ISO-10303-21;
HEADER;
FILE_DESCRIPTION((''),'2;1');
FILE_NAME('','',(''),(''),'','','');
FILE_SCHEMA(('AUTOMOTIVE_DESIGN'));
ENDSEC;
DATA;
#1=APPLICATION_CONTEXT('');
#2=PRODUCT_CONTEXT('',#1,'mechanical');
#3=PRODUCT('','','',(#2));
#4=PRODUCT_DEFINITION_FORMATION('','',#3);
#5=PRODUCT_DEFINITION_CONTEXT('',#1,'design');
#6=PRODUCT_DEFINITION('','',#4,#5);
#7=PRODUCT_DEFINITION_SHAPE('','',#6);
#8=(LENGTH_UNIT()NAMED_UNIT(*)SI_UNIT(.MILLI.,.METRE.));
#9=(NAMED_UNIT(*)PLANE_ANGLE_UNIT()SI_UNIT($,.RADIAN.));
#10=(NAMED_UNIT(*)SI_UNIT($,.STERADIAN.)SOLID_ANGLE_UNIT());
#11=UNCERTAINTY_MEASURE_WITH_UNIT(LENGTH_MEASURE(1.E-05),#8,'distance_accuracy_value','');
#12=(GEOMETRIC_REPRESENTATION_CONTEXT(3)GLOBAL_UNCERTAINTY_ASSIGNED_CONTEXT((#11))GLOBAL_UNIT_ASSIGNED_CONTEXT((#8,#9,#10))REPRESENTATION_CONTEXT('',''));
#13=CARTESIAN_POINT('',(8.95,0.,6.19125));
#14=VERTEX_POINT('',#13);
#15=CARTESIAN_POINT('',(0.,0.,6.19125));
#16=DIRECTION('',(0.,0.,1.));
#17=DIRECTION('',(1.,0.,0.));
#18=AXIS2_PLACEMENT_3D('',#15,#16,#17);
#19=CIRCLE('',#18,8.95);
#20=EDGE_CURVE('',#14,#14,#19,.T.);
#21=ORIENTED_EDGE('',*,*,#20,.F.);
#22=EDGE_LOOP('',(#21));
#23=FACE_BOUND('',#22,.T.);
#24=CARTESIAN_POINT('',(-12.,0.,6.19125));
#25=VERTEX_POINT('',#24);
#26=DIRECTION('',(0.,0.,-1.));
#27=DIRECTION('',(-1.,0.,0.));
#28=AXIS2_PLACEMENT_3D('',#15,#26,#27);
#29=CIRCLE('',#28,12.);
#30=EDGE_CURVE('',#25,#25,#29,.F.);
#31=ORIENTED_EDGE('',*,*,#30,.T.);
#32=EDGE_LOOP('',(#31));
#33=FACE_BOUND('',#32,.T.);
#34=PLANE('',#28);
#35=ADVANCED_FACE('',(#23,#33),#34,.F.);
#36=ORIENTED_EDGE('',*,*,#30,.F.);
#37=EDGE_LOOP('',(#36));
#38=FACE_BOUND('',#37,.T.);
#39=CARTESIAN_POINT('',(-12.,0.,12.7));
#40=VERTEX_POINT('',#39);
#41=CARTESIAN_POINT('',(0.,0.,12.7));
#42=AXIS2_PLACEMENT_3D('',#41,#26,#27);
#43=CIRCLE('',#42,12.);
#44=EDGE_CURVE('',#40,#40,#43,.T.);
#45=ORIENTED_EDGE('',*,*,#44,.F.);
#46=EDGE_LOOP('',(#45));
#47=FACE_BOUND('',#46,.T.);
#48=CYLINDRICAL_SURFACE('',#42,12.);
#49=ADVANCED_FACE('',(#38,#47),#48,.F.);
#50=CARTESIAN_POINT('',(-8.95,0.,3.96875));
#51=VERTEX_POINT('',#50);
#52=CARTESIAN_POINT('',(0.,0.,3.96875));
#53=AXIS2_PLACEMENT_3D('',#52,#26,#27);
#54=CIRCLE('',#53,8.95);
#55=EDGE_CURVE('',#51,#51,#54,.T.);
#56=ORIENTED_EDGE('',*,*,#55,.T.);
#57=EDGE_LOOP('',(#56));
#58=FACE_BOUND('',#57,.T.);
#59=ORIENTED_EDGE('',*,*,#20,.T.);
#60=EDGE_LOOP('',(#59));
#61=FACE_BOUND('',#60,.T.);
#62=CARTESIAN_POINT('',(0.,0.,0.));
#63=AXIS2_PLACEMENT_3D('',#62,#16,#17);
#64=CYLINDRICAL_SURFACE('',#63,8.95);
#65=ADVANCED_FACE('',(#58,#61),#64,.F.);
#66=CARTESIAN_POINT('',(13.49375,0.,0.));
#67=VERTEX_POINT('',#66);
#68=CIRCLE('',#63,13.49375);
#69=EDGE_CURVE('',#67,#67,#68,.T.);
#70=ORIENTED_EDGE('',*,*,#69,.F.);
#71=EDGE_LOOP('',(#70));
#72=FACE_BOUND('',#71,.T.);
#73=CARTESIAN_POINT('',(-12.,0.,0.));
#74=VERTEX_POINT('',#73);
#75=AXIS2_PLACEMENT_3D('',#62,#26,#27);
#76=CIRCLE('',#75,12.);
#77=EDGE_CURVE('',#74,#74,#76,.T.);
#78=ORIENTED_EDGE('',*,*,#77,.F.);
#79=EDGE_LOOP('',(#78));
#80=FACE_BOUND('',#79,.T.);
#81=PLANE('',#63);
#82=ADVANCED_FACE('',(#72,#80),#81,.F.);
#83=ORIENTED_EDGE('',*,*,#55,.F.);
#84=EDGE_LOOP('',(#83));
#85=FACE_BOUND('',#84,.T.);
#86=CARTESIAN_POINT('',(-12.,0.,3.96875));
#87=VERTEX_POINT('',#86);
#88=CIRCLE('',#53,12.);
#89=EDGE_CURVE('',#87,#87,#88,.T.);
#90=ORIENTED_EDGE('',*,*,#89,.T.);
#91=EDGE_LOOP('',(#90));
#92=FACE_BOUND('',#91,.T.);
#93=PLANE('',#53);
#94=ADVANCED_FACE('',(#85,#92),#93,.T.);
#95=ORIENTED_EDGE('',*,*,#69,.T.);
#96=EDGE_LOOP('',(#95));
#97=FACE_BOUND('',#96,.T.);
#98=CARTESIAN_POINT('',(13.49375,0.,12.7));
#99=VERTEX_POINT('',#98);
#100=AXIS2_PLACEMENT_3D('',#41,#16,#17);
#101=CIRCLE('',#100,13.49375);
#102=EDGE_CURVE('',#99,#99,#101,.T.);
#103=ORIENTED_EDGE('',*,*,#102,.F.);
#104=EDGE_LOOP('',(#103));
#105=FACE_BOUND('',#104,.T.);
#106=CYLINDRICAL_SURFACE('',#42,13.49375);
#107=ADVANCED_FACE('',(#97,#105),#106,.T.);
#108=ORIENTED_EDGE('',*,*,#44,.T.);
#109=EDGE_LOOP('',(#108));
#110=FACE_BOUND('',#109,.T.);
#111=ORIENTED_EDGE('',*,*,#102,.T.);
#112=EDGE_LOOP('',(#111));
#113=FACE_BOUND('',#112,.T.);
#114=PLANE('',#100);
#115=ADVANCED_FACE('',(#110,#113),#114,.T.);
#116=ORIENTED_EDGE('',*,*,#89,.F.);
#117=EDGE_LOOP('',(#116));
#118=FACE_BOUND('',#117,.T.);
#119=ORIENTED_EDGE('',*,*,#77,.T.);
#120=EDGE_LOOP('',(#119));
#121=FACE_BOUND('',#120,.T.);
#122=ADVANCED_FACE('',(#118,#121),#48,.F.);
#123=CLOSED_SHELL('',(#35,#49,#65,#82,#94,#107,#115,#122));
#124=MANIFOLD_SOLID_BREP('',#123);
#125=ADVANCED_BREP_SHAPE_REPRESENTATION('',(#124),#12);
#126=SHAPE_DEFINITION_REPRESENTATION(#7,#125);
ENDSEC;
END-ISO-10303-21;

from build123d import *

# Parameters (mm, degrees)
SKETCH1_R           = 13.49375
BOSS_EXTRUDE1_DEPTH = 12.7
SKETCH3_R           = 12
CUT_EXTRUDE2_DEPTH  = 23.922752412
SKETCH4_R           = 12
BOSS_EXTRUDE2_DEPTH = 2.2225
SKETCH5_R           = 8.95
CUT_EXTRUDE3_DEPTH  = 21.162499961


with BuildPart() as part:
    # Sketch1 → Boss-Extrude1 (new body)
    with BuildSketch(Plane.XY):
        Circle(SKETCH1_R)
    extrude(amount=BOSS_EXTRUDE1_DEPTH)

    # Sketch3 → Cut-Extrude2 (cut, through all)
    with BuildSketch(Plane(origin=(0, 0, 0), x_dir=(-1, 0, 0), z_dir=(0, 0, -1))):
        Circle(SKETCH3_R)
    extrude(amount=-CUT_EXTRUDE2_DEPTH, mode=Mode.SUBTRACT)

    # Sketch4 → Boss-Extrude2 (add)
    with BuildSketch(Plane(origin=(0, 0, 3.96875), x_dir=(-1, 0, 0), z_dir=(0, 0, -1))):
        Circle(SKETCH4_R)
    extrude(amount=-BOSS_EXTRUDE2_DEPTH)

    # Sketch5 → Cut-Extrude3 (cut, through all)
    with BuildSketch(Plane.XY.offset(6.19125)):
        Circle(SKETCH5_R)
    extrude(amount=-CUT_EXTRUDE3_DEPTH, mode=Mode.SUBTRACT)


solid = part.part
